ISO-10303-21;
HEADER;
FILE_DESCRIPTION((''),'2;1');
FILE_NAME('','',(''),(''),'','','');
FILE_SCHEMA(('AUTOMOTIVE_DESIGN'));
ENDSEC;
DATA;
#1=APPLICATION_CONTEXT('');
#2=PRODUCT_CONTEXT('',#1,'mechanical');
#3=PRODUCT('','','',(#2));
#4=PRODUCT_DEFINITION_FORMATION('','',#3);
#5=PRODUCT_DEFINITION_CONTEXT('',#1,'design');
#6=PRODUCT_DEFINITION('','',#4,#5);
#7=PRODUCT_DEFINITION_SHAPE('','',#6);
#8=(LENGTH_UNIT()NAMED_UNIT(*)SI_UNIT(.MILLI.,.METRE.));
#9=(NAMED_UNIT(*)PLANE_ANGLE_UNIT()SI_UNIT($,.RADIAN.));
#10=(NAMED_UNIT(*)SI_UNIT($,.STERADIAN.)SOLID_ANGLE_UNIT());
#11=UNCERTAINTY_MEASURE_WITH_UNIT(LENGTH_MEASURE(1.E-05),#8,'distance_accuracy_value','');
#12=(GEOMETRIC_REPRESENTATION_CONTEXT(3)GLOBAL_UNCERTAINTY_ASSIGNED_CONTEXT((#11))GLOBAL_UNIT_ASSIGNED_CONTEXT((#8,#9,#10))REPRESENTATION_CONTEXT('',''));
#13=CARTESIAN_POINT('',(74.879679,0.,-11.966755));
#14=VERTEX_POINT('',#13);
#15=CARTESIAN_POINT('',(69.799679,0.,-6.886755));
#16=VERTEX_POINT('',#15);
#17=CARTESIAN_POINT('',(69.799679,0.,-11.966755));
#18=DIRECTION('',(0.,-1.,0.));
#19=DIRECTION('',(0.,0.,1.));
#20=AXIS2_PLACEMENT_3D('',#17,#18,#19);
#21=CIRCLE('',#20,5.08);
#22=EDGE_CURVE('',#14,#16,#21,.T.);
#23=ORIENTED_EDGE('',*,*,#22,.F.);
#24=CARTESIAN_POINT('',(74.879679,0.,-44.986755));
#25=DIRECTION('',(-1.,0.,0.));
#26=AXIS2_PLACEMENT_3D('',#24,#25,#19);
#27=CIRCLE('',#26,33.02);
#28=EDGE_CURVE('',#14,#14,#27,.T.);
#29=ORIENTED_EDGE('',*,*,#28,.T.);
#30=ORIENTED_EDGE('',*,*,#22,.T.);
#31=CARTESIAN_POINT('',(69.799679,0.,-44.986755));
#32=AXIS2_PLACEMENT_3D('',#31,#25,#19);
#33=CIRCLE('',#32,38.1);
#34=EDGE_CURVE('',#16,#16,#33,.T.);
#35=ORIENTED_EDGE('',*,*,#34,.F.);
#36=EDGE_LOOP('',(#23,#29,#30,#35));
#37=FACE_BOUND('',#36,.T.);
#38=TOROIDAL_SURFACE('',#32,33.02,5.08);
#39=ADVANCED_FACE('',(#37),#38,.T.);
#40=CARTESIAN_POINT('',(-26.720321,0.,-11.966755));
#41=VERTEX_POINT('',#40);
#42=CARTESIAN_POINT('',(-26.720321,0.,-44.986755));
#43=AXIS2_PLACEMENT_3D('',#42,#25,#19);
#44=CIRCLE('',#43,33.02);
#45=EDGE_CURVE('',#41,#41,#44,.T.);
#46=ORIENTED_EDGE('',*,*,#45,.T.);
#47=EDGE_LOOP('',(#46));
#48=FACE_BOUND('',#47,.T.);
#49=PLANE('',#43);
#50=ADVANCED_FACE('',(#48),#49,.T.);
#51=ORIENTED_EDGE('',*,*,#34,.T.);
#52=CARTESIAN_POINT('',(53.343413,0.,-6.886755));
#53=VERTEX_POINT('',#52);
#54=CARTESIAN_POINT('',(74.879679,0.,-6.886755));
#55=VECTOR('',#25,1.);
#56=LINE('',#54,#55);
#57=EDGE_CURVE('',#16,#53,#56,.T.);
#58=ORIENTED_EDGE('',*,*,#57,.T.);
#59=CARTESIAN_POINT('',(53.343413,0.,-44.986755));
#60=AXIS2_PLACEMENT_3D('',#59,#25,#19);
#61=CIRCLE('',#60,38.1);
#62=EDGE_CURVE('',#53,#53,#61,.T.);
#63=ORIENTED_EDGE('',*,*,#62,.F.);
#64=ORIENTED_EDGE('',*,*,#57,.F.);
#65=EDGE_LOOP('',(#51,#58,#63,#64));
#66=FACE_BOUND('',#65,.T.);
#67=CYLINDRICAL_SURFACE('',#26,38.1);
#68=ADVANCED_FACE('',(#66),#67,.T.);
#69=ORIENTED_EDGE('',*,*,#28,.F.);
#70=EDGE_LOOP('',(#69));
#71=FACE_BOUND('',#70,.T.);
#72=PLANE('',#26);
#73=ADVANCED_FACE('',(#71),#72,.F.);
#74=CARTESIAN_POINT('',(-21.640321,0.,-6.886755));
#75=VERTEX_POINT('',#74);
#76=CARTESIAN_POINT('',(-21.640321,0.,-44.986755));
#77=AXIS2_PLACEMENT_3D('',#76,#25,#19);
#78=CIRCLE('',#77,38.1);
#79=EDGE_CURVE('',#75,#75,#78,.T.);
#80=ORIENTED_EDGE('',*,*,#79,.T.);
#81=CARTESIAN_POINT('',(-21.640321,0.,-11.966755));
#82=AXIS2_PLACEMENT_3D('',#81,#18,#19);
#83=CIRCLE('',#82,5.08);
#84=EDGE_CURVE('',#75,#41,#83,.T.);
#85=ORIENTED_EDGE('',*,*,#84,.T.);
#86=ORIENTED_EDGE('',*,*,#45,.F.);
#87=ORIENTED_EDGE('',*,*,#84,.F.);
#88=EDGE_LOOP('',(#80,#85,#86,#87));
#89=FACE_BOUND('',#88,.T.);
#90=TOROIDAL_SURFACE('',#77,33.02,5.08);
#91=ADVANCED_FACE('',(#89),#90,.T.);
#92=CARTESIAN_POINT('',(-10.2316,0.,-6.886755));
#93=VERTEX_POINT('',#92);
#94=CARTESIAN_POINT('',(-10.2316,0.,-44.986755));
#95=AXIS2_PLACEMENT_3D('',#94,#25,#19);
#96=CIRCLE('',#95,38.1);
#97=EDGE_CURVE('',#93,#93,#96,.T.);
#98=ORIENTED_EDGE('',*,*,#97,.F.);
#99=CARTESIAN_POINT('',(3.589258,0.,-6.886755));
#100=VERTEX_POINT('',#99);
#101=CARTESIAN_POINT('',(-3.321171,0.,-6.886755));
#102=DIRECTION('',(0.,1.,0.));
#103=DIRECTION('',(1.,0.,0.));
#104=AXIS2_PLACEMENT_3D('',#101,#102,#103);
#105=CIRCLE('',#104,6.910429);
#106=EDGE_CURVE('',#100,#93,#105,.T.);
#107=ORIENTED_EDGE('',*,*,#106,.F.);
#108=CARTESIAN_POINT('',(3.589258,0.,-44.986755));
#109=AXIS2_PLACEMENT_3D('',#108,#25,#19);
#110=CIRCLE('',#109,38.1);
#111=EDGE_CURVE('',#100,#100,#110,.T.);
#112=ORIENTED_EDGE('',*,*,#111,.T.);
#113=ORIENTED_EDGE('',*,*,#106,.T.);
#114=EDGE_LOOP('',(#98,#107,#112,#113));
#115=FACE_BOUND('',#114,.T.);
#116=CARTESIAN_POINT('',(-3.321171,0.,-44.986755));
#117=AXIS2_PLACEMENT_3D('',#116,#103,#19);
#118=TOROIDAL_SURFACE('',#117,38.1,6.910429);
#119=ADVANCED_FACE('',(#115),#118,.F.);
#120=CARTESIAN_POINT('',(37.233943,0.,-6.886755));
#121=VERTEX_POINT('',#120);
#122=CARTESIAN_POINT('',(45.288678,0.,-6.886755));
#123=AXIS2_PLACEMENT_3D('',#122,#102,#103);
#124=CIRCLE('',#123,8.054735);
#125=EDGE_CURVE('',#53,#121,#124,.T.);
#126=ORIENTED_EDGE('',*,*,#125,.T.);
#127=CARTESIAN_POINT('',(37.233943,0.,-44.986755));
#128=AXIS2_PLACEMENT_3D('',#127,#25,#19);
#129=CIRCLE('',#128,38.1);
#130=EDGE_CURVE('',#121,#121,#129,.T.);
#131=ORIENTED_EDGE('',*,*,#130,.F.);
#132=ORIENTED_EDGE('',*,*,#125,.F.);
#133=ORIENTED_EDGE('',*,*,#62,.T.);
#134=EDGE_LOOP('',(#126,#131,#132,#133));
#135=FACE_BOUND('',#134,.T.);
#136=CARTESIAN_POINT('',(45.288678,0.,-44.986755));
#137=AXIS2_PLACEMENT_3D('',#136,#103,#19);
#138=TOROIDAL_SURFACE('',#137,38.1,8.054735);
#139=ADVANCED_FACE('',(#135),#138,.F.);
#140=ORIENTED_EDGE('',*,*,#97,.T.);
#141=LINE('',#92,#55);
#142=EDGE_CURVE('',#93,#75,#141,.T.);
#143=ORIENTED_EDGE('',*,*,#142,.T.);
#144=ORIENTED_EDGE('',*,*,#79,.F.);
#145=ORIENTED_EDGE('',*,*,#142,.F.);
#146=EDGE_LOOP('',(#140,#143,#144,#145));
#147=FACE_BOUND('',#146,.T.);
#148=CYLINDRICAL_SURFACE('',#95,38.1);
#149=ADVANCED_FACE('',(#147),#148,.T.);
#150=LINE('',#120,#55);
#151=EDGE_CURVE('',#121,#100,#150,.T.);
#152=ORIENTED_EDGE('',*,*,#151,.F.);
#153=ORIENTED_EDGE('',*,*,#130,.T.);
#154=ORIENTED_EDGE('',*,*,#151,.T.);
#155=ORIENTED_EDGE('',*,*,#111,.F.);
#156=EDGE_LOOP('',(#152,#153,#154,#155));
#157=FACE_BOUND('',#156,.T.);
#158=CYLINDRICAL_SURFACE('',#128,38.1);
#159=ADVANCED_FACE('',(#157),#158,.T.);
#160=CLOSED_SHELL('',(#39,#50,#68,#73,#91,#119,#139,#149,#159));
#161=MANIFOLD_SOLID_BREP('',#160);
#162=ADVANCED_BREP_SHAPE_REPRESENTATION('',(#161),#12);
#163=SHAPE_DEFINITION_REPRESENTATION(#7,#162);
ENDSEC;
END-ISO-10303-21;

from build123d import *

# Parameters (mm, degrees)
F2_R = 5.08


with BuildPart() as f1:
    # F0 (on Front) → F1 (revolve)
    with BuildSketch(Plane.XZ):
        with BuildLine():
            Line((74.8796791941, -44.9867546558), (74.8796791941, -6.8867546558))
            Line((74.8796791941, -6.8867546558), (53.3434134441, -6.8867546558))
            ThreePointArc((53.3434134441, -6.8867546558), (45.2886782587, -14.9414898413), (37.2339430732, -6.8867546558))
            Line((37.2339430732, -6.8867546558), (3.5892582275, -6.8867546558))
            ThreePointArc((3.5892582275, -6.8867546558), (-3.3211708069, -13.7971836903), (-10.2315998413, -6.8867546558))
            Line((-10.2315998413, -6.8867546558), (-26.7203208059, -6.8867546558))
            Line((-26.7203208059, -6.8867546558), (-26.7203208059, -44.9867546558))
            Line((-26.7203208059, -44.9867546558), (74.8796791941, -44.9867546558))
        make_face()
    revolve(axis=Axis((24.0796791941, 0, -44.9867546558), (-1, 0, 0)))

    # F2
    f2_edges = [f1.edges().sort_by_distance(p)[0] for p in [
        (-26.720321, 0, -83.086755),
        (74.879679, 0, -83.086755),
    ]]
    fillet(f2_edges, radius=F2_R)


solid = f1.part
